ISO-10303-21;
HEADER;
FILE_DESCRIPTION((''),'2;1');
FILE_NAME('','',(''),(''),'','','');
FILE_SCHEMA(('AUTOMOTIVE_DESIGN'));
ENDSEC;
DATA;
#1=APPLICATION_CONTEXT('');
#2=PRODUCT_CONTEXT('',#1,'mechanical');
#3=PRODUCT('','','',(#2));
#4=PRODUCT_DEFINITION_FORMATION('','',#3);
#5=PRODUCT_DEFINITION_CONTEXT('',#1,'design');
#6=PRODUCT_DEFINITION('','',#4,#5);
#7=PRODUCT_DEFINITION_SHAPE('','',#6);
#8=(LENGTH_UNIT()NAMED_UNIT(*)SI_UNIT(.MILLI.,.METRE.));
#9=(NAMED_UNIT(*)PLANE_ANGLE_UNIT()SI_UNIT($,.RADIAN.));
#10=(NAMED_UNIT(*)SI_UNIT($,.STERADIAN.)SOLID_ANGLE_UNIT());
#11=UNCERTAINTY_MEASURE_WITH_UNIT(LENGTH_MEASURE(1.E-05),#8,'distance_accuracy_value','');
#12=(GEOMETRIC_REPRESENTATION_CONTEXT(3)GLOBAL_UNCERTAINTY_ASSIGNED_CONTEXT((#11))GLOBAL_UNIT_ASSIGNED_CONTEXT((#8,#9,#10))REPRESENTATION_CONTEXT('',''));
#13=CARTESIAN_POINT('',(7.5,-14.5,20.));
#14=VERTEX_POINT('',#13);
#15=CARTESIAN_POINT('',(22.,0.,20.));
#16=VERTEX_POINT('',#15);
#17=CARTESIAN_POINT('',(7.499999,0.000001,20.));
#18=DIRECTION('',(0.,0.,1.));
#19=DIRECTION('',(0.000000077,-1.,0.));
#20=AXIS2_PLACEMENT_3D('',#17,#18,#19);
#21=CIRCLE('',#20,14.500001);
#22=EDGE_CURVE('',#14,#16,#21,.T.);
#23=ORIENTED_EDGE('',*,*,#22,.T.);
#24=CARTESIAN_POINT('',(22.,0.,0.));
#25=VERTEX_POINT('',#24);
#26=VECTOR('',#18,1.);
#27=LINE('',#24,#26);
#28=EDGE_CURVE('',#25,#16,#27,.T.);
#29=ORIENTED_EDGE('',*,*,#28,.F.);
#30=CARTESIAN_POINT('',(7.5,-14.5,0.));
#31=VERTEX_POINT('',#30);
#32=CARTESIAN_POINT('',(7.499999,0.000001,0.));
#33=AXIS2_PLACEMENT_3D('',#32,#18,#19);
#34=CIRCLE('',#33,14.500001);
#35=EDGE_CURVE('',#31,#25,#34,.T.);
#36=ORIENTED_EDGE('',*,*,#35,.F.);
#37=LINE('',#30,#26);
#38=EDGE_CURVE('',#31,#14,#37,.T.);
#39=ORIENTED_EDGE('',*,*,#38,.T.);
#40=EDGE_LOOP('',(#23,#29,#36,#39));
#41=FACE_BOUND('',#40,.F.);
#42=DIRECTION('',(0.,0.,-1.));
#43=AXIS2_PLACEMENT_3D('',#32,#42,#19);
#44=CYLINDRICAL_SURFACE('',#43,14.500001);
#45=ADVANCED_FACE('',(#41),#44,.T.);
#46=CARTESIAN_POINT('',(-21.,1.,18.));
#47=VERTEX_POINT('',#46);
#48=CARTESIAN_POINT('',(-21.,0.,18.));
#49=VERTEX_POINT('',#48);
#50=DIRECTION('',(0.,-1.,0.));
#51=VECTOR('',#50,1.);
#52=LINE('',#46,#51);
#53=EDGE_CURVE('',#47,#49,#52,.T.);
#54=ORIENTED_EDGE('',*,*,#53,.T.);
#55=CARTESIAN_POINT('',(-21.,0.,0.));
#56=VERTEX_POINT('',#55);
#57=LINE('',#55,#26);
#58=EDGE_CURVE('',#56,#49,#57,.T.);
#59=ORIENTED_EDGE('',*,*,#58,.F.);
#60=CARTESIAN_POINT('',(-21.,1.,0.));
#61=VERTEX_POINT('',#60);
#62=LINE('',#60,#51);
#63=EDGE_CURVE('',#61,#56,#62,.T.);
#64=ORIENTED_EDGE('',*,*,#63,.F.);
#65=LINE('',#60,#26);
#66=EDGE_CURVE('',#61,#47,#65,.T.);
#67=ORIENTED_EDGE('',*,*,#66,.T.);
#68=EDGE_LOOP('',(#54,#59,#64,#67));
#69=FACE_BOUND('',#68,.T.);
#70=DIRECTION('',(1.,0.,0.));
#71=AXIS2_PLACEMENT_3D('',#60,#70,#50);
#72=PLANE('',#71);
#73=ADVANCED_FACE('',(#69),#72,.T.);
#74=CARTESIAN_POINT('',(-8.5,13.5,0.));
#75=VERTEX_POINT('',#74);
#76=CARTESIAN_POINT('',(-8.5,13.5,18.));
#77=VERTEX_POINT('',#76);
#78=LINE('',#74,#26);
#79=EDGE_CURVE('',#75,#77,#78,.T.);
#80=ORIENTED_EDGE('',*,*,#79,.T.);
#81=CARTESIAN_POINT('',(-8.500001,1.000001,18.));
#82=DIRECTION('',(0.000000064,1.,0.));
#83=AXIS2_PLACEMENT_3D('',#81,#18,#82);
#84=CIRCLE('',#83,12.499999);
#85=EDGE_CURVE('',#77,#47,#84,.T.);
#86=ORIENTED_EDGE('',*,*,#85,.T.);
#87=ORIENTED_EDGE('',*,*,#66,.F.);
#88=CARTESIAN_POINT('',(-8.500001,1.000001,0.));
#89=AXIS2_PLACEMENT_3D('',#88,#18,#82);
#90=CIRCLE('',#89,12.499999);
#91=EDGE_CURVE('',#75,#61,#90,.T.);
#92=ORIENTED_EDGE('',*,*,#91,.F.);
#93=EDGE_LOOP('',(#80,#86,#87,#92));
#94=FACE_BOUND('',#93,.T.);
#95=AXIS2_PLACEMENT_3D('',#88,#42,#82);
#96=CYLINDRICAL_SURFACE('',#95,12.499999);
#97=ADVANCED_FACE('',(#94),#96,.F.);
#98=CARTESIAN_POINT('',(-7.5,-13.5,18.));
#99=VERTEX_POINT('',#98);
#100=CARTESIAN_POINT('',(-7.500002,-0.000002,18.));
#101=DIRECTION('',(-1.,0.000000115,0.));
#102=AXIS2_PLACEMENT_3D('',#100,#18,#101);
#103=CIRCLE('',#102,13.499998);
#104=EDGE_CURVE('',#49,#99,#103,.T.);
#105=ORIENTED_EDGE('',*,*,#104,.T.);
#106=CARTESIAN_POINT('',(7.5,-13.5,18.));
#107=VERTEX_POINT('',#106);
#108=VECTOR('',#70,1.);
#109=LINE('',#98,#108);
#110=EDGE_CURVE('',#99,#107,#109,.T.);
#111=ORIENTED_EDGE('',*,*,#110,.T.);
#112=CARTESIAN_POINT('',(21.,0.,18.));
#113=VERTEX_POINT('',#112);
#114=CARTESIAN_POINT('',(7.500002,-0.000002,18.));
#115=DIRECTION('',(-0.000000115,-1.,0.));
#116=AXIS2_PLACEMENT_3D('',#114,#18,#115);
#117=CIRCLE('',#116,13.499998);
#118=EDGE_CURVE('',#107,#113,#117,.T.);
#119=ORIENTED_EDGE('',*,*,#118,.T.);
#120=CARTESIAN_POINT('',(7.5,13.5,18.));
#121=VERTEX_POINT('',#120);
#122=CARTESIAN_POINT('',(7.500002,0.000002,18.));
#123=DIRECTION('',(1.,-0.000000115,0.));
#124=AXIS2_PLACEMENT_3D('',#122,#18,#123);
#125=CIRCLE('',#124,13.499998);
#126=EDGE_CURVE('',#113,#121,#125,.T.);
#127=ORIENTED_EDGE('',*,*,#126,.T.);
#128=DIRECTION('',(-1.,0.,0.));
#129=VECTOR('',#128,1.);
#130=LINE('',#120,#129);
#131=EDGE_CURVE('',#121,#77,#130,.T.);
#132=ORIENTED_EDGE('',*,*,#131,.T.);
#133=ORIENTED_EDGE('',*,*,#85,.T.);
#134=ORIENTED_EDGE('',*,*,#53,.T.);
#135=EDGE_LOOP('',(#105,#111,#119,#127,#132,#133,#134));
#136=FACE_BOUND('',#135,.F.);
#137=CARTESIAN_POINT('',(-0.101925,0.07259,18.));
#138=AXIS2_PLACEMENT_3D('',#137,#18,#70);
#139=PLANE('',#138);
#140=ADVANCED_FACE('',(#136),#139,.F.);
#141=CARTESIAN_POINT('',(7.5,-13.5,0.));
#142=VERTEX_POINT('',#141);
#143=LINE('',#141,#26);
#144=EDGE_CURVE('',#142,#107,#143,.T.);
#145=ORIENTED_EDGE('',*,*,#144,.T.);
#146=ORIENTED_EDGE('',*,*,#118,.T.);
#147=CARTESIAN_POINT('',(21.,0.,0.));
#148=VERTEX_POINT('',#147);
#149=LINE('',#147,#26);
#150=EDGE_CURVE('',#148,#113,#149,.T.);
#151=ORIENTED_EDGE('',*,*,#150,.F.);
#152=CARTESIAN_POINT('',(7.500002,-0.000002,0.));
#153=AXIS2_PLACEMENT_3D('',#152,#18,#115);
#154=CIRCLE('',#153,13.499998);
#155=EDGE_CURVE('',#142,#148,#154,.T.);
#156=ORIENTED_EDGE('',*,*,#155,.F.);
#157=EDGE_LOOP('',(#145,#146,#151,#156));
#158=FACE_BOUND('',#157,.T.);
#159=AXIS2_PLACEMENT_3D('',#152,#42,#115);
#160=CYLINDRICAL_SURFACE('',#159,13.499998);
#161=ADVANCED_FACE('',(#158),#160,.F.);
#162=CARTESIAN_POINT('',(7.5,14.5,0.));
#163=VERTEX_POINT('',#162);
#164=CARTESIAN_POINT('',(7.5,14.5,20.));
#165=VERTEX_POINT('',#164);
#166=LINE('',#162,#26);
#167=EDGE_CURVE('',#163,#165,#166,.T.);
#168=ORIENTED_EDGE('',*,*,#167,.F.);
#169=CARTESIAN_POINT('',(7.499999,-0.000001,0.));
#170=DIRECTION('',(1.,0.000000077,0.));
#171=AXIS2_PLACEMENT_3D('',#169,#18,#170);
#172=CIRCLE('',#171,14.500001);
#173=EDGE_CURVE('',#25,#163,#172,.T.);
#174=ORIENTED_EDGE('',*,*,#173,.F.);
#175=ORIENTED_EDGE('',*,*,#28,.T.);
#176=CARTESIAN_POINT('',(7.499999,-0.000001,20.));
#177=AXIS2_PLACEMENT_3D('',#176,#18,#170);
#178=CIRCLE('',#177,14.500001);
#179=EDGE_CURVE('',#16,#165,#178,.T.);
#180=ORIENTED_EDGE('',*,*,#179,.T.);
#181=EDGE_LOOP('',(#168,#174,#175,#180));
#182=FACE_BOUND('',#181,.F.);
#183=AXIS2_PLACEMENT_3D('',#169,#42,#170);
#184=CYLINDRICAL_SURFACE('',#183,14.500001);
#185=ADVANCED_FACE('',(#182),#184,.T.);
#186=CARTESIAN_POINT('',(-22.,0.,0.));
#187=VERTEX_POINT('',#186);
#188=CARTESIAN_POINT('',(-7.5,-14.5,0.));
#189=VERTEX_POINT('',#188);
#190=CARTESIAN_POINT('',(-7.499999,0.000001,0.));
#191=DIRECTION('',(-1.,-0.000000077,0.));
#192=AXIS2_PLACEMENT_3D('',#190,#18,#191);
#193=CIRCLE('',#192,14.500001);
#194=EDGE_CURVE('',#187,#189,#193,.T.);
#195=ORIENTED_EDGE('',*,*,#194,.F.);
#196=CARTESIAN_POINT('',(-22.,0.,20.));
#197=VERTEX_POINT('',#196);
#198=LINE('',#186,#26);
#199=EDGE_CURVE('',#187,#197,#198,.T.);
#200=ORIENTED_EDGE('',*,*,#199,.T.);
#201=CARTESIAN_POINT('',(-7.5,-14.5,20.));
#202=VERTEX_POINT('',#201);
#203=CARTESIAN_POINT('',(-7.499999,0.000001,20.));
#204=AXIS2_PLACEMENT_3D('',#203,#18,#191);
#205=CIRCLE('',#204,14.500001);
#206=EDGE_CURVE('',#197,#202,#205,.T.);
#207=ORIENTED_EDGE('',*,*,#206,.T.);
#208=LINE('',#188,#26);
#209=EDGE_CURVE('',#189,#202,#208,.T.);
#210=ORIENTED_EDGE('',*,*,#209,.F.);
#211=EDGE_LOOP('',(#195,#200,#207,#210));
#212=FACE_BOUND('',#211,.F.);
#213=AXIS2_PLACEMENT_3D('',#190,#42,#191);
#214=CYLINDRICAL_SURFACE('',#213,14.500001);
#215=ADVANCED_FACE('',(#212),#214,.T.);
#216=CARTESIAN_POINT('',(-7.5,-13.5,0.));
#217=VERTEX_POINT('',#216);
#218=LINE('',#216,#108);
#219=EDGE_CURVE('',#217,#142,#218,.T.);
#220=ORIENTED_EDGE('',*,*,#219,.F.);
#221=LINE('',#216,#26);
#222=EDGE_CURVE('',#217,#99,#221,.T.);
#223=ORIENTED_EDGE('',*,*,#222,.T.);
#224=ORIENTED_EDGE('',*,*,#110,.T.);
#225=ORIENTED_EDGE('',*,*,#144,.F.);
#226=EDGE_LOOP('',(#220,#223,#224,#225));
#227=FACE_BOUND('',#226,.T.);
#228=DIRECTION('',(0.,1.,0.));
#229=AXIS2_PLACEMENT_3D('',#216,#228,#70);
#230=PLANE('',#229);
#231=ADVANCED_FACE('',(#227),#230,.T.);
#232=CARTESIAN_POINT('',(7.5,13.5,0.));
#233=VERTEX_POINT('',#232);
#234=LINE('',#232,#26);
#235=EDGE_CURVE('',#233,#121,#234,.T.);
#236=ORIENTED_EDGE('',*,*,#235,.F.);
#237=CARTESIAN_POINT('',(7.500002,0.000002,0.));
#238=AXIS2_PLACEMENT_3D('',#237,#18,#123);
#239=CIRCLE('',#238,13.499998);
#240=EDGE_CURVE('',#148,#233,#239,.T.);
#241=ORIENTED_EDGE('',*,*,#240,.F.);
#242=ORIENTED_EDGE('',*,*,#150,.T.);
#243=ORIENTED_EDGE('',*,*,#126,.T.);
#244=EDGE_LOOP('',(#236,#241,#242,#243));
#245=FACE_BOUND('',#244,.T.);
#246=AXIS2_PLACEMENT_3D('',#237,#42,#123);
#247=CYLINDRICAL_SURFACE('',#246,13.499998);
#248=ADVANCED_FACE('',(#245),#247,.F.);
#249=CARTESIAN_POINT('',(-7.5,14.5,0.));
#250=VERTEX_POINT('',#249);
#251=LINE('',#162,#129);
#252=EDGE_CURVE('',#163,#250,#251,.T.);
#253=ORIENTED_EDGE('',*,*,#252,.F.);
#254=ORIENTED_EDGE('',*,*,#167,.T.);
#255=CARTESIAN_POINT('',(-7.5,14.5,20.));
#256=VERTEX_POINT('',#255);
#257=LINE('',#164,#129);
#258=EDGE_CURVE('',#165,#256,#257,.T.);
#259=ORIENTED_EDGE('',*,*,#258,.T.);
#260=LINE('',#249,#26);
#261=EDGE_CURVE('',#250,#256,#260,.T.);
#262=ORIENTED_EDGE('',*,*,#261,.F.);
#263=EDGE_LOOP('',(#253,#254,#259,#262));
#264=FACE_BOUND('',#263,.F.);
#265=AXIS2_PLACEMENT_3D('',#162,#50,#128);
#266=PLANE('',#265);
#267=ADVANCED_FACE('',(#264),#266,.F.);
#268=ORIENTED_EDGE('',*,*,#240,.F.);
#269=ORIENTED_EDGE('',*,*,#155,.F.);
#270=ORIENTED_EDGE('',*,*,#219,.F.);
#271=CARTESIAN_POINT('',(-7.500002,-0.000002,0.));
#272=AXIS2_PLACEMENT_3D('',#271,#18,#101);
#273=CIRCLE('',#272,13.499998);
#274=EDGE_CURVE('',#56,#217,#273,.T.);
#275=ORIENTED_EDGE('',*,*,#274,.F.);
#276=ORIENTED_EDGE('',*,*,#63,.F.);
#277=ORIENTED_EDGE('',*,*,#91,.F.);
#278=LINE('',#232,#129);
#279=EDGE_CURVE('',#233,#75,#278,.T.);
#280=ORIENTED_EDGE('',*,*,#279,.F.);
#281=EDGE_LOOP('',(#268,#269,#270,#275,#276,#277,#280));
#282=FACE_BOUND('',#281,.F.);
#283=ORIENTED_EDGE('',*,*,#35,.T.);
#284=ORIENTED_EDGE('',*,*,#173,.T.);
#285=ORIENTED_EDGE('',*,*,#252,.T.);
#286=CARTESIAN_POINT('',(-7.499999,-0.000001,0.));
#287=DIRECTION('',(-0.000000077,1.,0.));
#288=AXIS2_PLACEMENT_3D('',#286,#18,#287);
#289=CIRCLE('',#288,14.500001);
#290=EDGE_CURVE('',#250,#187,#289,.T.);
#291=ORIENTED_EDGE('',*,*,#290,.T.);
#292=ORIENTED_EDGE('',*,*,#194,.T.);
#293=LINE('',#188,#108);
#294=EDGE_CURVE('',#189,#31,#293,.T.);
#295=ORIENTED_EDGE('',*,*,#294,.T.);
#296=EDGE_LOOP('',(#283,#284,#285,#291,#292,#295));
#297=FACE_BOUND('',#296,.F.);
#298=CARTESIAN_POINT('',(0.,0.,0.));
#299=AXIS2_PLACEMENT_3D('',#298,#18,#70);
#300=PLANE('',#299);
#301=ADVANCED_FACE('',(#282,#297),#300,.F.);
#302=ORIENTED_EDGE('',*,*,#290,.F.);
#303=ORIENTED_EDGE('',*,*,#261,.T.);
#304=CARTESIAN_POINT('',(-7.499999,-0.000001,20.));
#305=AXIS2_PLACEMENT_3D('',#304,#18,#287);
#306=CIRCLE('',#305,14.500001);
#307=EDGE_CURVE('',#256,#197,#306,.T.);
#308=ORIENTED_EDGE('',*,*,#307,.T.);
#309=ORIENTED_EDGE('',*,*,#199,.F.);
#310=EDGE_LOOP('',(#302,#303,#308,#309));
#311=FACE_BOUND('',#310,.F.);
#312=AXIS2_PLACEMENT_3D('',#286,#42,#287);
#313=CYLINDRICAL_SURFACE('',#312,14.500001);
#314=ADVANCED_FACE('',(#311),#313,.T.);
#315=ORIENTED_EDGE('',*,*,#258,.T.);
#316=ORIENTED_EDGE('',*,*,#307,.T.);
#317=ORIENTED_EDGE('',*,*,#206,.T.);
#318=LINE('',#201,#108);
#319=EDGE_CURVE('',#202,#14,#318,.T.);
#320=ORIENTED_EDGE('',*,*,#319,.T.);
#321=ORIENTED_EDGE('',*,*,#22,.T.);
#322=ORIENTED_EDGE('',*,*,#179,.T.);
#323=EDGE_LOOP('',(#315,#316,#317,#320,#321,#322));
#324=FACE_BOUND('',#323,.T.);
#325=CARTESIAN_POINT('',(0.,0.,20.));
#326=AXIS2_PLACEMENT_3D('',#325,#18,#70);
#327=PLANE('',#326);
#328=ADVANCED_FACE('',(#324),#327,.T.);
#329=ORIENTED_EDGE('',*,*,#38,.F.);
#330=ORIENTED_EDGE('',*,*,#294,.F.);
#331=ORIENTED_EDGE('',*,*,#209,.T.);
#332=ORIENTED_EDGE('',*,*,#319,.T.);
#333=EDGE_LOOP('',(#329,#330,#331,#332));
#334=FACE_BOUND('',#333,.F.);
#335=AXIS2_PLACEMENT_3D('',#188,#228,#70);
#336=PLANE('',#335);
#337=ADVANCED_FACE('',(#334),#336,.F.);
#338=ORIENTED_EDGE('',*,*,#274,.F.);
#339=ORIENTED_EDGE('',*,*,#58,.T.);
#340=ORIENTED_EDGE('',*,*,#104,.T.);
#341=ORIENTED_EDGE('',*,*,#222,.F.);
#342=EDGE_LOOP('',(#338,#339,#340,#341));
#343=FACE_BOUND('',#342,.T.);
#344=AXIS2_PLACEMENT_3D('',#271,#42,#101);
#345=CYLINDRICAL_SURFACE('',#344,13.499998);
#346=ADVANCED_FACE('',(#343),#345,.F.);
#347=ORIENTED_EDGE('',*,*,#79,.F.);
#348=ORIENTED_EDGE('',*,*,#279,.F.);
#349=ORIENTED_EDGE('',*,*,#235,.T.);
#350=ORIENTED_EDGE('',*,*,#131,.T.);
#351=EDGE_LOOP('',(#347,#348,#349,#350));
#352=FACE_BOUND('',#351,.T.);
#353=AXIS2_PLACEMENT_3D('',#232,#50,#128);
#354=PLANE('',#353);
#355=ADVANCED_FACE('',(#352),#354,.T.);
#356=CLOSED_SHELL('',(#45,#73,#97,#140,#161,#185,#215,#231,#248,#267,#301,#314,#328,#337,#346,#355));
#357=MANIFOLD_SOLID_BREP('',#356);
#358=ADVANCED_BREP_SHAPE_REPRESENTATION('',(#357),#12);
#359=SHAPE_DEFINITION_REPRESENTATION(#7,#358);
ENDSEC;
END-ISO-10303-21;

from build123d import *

# Parameters (mm, degrees)
F2_DEPTH = 20
F3_DEPTH = 18


with BuildPart() as f2:
    # F1 (on Top) → F2 (new body)
    with BuildSketch(Plane.XY):
        with BuildLine():
            Line((7.5, 14.5), (-7.5, 14.5))
            ThreePointArc((-7.5, 14.5), (-17.753048, 10.253048), (-22, 0))
            ThreePointArc((-22, 0), (-17.753048, -10.253048), (-7.5, -14.5))
            Line((-7.5, -14.5), (7.5, -14.5))
            ThreePointArc((7.5, -14.5), (17.753048, -10.253048), (22, 0))
            ThreePointArc((22, 0), (17.753048, 10.253048), (7.5, 14.5))
        make_face()
    extrude(amount=F2_DEPTH)

    # F0 (on Top) → F3 (cut)
    with BuildSketch(Plane.XY):
        with BuildLine():
            Line((7.5, 13.5), (-8.5, 13.5))
            ThreePointArc((-8.5, 13.5), (-17.338835, 9.838835), (-21, 1))
            Line((-21, 1), (-21, 0))
            ThreePointArc((-21, 0), (-17.045942, -9.545942), (-7.5, -13.5))
            Line((-7.5, -13.5), (7.5, -13.5))
            ThreePointArc((7.5, -13.5), (17.045942, -9.545942), (21, 0))
            ThreePointArc((21, 0), (17.045942, 9.545942), (7.5, 13.5))
        make_face()
    extrude(amount=F3_DEPTH, mode=Mode.SUBTRACT)


solid = f2.part
